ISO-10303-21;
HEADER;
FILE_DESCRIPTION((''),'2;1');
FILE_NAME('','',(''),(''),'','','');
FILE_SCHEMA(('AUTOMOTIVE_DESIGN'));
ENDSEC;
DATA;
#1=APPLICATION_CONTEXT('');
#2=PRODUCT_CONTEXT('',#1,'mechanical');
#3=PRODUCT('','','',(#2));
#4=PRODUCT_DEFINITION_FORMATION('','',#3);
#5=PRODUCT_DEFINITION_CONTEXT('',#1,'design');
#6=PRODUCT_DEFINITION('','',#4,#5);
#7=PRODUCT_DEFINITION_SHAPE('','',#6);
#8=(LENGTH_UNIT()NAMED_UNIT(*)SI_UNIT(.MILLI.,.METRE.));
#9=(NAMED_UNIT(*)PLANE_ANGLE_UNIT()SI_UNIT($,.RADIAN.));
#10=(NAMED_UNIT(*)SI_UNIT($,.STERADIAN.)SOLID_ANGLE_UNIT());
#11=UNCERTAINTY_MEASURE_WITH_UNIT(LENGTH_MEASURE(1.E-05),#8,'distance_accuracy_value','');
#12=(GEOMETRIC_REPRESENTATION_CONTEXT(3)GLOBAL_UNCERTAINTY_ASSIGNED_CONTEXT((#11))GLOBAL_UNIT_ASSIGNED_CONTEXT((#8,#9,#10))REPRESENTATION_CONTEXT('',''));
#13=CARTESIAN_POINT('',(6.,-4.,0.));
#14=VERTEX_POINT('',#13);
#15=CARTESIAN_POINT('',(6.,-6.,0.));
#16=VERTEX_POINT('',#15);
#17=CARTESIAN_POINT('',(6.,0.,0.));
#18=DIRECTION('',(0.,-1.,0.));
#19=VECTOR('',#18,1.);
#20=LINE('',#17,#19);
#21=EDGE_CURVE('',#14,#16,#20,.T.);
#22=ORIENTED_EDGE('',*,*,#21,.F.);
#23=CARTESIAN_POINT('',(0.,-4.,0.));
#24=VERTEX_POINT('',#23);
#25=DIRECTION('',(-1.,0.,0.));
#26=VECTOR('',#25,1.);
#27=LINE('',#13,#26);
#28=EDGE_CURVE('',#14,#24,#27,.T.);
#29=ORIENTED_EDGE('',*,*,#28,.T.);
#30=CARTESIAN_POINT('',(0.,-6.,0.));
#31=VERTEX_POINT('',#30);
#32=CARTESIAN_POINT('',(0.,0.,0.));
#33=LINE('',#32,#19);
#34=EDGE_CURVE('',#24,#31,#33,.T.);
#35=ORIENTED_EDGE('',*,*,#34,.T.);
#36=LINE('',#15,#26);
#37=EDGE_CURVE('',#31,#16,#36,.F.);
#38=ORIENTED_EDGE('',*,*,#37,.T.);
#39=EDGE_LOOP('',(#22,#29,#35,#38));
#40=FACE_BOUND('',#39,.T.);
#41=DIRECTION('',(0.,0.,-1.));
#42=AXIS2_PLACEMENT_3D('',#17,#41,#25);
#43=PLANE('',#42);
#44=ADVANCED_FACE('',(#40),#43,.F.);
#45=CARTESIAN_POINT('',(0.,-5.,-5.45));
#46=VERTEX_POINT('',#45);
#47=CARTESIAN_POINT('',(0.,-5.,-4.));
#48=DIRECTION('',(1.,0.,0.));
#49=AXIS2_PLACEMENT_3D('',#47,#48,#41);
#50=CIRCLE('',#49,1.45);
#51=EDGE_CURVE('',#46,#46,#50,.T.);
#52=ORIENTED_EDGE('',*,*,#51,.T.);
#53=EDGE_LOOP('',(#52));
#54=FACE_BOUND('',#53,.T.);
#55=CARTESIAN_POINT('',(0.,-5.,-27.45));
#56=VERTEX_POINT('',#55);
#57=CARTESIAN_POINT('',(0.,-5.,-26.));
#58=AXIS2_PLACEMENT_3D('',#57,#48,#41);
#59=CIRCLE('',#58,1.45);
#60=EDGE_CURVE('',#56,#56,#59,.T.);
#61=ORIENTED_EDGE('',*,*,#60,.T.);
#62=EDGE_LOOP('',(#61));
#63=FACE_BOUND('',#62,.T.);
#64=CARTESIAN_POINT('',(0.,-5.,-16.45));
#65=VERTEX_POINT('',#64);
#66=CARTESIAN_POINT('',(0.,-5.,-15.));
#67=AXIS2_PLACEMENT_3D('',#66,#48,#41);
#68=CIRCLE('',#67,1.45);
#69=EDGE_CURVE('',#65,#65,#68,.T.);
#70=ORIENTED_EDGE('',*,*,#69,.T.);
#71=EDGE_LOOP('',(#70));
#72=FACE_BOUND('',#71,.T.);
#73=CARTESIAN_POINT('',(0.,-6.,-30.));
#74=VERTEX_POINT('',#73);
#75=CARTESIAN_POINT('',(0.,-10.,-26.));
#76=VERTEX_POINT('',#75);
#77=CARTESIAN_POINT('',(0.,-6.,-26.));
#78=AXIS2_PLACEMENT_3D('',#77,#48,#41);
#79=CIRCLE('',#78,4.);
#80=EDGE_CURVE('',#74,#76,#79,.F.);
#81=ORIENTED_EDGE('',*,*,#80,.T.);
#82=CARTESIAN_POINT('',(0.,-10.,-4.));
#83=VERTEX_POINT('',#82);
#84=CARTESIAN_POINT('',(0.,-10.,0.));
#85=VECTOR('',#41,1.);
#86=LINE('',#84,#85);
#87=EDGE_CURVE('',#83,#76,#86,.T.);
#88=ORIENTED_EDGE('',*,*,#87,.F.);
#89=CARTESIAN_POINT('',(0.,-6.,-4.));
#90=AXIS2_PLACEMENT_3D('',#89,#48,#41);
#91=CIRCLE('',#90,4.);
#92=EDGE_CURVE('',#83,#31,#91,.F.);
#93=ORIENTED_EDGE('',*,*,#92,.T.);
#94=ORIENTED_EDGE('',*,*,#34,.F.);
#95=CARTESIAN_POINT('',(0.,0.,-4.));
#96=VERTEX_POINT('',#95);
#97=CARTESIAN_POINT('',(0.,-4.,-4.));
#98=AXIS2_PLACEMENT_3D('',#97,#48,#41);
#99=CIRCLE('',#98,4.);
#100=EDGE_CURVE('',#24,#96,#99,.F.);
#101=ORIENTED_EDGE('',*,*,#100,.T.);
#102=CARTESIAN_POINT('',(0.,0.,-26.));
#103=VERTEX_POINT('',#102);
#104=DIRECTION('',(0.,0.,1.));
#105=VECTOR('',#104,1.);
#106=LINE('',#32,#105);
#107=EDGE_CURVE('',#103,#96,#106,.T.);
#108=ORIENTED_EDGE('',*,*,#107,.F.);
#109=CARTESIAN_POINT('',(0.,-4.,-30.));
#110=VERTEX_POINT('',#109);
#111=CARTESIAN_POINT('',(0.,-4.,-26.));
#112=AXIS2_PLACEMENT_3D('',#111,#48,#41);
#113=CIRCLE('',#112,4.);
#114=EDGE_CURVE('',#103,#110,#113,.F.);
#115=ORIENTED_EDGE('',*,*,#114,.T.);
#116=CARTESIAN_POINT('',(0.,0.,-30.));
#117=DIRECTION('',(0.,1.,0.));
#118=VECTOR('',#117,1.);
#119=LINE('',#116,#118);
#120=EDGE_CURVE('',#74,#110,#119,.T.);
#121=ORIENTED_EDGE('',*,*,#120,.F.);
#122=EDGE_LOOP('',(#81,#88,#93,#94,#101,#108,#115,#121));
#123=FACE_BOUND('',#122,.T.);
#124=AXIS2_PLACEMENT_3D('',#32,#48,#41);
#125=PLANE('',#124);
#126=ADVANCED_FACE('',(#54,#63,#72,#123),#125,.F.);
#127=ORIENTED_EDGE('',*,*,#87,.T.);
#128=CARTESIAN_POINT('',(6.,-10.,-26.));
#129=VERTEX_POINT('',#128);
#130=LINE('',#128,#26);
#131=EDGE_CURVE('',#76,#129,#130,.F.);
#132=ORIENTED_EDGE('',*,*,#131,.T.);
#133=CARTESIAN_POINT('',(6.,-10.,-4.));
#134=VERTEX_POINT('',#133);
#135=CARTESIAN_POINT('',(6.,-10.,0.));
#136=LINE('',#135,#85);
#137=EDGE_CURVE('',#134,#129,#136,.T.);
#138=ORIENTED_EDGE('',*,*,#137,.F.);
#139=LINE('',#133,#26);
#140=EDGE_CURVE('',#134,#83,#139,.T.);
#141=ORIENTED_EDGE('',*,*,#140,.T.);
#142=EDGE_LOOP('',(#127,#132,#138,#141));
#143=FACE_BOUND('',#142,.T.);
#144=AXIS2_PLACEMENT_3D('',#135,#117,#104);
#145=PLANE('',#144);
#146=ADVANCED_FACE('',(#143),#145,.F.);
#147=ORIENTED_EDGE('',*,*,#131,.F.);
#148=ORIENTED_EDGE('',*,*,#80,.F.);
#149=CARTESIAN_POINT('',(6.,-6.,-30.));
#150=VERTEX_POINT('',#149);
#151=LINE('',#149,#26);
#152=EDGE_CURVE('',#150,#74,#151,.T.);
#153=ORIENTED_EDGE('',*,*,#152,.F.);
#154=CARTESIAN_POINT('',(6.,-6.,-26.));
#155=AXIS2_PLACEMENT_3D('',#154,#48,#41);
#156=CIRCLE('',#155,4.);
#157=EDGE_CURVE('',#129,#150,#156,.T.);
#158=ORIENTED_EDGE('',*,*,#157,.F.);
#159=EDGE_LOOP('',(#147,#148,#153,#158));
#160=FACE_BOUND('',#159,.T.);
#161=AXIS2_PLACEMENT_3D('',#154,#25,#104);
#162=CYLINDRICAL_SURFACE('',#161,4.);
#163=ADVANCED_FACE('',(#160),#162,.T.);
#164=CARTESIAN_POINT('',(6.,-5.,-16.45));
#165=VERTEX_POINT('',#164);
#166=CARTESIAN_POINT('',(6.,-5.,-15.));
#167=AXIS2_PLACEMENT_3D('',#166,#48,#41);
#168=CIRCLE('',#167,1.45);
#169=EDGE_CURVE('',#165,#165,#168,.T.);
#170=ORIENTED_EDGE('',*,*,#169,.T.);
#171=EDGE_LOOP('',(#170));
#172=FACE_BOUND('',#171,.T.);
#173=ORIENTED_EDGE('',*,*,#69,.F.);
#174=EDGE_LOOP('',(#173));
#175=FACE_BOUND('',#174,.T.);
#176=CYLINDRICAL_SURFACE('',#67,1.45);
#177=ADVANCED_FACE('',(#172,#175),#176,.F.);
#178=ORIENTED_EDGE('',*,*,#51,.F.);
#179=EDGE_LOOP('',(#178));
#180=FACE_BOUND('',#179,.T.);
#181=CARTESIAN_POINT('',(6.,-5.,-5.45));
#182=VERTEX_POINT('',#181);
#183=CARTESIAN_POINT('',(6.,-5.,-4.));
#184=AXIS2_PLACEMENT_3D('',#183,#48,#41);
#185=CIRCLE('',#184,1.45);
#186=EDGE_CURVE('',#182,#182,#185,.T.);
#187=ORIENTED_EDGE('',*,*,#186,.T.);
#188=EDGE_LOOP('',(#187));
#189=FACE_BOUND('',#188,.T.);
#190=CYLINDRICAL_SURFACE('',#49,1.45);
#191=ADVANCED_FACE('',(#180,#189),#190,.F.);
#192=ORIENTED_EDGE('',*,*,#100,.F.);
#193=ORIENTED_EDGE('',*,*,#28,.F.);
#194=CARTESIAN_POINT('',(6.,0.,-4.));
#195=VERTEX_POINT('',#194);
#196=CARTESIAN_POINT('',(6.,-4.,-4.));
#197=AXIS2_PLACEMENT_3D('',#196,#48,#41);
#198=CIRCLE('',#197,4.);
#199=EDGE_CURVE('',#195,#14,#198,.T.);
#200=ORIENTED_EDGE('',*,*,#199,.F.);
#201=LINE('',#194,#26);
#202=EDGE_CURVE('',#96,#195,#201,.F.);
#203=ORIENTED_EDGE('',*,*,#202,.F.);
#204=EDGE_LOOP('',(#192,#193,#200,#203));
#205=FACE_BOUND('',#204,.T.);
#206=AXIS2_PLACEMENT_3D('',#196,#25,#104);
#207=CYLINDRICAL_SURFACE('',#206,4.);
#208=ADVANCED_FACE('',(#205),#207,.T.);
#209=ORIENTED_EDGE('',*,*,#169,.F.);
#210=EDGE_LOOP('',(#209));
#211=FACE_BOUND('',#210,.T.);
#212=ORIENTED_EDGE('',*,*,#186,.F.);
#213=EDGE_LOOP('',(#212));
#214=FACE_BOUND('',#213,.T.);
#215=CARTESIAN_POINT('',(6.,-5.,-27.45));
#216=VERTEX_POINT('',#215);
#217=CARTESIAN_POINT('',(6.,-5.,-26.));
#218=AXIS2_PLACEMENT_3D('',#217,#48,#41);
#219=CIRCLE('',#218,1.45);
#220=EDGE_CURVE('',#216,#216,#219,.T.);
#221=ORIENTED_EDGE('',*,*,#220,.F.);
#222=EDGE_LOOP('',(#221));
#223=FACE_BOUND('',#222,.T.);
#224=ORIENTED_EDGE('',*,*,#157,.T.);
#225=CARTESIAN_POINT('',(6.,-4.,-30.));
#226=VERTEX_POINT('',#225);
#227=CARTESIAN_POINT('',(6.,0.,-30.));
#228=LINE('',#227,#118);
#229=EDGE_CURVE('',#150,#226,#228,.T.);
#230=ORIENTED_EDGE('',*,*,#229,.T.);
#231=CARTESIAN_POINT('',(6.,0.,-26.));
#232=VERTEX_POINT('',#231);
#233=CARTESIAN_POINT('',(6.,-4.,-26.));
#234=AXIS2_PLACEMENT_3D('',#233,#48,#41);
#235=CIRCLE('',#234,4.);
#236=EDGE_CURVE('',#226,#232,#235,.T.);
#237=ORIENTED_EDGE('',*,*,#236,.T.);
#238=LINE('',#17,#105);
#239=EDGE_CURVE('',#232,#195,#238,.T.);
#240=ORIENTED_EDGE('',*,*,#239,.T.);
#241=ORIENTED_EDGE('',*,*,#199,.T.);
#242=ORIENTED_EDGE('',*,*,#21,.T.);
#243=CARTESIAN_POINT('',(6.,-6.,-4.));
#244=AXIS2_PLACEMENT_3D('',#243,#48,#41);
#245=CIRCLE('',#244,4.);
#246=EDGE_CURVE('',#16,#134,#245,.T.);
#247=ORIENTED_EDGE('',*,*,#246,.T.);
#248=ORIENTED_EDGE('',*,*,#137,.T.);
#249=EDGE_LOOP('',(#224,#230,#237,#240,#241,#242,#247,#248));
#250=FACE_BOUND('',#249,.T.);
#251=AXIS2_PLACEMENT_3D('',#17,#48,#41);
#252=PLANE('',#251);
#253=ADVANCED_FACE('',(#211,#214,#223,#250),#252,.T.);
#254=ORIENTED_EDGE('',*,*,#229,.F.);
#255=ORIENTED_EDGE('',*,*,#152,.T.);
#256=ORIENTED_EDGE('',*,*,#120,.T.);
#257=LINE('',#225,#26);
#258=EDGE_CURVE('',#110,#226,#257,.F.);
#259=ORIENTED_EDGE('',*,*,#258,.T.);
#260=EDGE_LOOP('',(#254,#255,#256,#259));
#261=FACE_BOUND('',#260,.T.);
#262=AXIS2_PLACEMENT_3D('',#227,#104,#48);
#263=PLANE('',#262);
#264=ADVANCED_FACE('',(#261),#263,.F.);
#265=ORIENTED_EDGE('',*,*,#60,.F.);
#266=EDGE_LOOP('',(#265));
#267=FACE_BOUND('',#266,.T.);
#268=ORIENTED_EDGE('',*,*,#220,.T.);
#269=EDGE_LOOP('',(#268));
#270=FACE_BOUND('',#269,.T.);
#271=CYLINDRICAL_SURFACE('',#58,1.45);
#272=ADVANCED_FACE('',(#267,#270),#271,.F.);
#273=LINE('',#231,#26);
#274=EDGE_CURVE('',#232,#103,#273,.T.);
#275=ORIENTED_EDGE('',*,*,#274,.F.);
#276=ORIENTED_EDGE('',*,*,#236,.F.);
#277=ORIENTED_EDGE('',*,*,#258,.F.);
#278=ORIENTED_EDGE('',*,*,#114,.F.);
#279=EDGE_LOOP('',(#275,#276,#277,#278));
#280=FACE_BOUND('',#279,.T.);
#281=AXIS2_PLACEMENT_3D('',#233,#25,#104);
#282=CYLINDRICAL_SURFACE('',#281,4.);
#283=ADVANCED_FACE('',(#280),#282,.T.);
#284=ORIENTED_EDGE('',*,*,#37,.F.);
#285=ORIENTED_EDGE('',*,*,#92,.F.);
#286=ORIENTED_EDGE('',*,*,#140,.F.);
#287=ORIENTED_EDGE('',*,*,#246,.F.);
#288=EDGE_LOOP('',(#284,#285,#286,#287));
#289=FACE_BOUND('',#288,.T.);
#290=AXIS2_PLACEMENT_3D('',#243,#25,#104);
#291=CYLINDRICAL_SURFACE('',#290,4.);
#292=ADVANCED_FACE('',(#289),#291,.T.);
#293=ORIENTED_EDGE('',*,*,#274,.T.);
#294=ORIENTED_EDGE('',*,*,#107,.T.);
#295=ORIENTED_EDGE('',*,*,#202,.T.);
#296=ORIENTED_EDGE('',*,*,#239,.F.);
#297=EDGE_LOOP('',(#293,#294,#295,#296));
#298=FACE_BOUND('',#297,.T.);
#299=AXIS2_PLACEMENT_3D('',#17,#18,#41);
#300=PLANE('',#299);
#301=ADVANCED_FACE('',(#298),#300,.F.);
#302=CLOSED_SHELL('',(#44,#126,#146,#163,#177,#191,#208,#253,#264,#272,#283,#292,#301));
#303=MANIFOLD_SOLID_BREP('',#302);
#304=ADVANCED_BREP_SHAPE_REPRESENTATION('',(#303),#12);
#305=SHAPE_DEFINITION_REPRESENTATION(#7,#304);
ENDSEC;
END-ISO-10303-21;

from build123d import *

# Parameters (mm, degrees)
SKETCH1_W           = 30
SKETCH1_H           = 10
BOSS_EXTRUDE1_DEPTH = 6
SKETCH2_R           = 1.45
CUT_EXTRUDE1_DEPTH  = 33.186953879
FILLET1_R           = 4


with BuildPart() as part:
    # Sketch1 → Boss-Extrude1 (new body)
    with BuildSketch(Plane(origin=(0, 0, 0), x_dir=(0, 0, -1), z_dir=(1, 0, 0))):
        with Locations((15, -5)):
            Rectangle(SKETCH1_W, SKETCH1_H)
    extrude(amount=BOSS_EXTRUDE1_DEPTH)

    # Sketch2 → Cut-Extrude1 (cut, through all)
    with BuildSketch(Plane(origin=(6, 0, 0), x_dir=(0, 0, -1), z_dir=(1, 0, 0))):
        with Locations((4, -5)):
            Circle(SKETCH2_R)
        with Locations((15, -5)):
            Circle(SKETCH2_R)
        with Locations((26, -5)):
            Circle(SKETCH2_R)
    extrude(amount=-CUT_EXTRUDE1_DEPTH, mode=Mode.SUBTRACT)

    # Fillet1
    fillet1_edges = [part.edges().sort_by_distance(p)[0] for p in [
        (3, 0, 0),
        (3, 0, -30),
        (3, -10, -30),
        (3, -10, 0),
    ]]
    fillet(fillet1_edges, radius=FILLET1_R)


solid = part.part
